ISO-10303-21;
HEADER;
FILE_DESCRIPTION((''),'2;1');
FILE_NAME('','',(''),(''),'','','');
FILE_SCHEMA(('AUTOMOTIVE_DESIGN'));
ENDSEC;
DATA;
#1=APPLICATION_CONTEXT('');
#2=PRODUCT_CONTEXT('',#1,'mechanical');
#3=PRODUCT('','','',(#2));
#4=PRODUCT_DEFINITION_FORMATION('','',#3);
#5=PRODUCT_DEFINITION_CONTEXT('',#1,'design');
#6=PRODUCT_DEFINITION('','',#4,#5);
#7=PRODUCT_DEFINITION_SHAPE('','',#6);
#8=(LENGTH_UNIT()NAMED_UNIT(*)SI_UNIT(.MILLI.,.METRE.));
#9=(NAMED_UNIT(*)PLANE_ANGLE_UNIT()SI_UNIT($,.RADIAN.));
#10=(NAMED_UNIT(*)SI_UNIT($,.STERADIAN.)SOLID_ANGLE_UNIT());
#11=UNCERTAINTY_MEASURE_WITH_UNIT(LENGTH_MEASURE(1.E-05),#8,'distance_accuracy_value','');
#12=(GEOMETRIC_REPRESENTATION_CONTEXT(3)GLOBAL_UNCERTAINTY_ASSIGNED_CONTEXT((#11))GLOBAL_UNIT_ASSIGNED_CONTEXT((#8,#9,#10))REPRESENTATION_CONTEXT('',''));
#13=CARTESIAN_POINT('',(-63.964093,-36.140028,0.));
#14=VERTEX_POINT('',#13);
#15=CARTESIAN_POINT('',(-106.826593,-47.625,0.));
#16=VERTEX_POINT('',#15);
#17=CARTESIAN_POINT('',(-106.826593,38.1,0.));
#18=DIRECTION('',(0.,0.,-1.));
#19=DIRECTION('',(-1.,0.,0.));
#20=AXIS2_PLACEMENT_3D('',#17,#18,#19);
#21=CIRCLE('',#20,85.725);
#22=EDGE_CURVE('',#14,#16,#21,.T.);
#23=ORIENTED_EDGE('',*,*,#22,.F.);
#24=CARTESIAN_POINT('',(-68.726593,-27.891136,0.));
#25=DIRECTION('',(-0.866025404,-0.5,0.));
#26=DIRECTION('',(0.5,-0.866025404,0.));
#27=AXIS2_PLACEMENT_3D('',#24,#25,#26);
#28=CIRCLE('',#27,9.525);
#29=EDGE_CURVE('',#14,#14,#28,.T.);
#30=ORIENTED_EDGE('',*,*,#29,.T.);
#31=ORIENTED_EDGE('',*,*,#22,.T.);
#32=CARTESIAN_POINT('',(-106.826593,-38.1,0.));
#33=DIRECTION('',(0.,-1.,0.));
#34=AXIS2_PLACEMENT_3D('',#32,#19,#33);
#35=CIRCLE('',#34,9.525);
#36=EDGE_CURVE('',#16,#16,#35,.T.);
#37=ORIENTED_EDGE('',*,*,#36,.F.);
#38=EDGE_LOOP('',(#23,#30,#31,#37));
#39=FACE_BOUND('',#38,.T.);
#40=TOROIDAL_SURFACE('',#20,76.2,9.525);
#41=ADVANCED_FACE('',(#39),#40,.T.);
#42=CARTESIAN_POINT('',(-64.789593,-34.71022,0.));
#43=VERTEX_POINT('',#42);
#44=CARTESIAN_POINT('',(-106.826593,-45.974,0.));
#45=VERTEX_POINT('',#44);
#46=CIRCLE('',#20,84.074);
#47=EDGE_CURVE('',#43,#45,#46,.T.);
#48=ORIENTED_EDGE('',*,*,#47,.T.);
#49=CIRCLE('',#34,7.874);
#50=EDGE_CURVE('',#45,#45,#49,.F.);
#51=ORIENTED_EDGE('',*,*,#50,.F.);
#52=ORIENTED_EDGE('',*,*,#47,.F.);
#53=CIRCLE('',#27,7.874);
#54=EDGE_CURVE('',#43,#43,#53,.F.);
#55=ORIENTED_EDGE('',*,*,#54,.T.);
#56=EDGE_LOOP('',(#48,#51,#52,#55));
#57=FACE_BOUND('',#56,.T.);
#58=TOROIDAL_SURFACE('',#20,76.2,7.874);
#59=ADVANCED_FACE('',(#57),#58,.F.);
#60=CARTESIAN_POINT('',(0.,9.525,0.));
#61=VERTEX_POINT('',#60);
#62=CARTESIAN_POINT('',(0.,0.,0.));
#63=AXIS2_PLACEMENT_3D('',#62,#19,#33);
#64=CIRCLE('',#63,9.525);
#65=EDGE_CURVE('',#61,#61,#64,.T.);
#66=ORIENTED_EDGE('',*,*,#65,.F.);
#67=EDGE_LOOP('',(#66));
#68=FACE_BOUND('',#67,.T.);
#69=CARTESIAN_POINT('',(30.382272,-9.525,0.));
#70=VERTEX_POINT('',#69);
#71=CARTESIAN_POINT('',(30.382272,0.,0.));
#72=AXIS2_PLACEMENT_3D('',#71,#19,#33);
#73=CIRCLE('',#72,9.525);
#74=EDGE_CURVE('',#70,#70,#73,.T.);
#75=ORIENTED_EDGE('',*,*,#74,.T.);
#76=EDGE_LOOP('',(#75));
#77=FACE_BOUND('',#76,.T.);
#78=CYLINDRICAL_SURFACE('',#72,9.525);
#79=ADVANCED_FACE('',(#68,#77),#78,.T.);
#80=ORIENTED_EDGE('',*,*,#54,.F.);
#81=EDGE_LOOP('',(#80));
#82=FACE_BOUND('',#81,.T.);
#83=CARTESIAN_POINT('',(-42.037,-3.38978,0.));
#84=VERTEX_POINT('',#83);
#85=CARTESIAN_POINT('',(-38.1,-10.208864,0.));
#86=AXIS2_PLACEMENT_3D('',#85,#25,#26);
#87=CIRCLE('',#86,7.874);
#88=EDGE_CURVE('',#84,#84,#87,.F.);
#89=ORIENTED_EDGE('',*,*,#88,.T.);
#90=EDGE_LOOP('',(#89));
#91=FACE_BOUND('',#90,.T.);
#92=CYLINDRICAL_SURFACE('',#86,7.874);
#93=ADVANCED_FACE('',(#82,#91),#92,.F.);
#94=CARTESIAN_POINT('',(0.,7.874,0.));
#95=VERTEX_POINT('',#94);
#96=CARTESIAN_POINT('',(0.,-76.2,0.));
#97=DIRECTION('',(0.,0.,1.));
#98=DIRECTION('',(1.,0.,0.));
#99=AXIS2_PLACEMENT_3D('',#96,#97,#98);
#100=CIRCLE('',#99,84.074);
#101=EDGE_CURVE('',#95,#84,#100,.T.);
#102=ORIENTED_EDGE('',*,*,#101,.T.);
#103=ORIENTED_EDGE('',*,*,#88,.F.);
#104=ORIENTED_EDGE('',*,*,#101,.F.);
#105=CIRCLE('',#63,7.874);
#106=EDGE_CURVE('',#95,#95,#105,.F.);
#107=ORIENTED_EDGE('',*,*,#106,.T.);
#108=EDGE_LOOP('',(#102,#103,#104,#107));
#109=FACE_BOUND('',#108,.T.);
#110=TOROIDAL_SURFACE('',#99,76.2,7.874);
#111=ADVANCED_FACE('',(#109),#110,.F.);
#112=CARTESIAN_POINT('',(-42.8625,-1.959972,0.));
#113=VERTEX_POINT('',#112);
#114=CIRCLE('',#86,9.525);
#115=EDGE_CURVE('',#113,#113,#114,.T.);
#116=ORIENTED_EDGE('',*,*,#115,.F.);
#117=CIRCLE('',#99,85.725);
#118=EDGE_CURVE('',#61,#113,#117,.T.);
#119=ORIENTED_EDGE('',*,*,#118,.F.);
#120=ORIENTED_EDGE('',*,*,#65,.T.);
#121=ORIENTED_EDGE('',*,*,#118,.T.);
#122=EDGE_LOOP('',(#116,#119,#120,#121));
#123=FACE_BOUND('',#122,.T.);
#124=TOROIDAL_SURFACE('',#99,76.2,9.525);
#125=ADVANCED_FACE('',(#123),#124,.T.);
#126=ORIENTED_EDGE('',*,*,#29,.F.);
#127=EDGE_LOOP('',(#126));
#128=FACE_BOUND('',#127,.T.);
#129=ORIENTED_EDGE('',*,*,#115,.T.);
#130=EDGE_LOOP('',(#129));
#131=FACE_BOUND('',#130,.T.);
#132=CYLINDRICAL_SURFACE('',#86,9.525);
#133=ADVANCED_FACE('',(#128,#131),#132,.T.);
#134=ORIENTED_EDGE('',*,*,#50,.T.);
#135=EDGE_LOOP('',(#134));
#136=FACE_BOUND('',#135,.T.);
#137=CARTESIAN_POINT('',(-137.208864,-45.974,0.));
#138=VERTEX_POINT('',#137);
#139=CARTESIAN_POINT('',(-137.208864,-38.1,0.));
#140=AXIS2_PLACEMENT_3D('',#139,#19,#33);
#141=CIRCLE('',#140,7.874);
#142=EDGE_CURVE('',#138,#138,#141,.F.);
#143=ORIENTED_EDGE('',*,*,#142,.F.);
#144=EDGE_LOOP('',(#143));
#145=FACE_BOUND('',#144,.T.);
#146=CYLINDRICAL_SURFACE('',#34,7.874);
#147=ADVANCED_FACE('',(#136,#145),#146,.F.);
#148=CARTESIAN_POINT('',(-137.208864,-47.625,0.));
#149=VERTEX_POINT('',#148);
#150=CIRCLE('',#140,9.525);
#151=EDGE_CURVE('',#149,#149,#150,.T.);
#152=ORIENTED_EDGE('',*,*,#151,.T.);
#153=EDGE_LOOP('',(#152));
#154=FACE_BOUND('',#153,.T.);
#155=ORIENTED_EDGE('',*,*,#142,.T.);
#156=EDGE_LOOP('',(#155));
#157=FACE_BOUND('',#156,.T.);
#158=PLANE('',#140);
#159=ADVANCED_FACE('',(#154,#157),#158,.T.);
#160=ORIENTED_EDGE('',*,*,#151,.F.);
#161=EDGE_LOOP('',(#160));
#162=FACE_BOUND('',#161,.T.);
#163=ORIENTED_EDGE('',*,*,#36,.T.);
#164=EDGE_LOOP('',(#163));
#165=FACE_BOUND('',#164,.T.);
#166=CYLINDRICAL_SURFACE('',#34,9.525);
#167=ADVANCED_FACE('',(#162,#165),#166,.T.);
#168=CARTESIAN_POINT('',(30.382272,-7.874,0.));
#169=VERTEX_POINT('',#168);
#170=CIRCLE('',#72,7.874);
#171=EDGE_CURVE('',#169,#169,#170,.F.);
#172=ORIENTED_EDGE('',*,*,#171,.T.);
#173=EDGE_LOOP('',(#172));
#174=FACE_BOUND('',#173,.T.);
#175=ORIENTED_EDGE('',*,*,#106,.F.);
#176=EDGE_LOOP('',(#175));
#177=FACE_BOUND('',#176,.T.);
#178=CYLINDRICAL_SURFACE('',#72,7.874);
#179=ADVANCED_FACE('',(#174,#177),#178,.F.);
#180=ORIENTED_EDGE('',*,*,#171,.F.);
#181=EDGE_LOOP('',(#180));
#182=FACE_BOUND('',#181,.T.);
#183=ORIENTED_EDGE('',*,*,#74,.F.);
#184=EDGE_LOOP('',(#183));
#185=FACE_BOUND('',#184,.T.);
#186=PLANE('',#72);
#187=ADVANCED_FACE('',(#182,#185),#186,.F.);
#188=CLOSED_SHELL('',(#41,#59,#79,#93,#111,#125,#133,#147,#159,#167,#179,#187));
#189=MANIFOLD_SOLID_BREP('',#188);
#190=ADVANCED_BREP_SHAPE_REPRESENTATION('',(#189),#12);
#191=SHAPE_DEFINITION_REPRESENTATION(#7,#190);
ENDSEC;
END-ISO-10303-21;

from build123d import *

# Parameters (mm, degrees)
SKETCH2_R   = 9.525
SKETCH2_R_2 = 7.874


with BuildPart() as part:
    # Sweep1: sweep along a path in Sketch1
    with BuildLine(Plane.XY) as sweep1_path:
        Line((30.382271537, 0), (0, 0))
        ThreePointArc((0, 0), (-19.722011237, -2.596452037), (-38.1, -10.208864232))
        Line((-38.1, -10.208864232), (-68.726592695, -27.891135768))
        ThreePointArc((-68.726592695, -27.891135768), (-87.104581458, -35.503547963), (-106.826592695, -38.1))
        Line((-106.826592695, -38.1), (-137.208864232, -38.1))
    # Sketch2 → Sweep1 (sweep)
    with BuildSketch(Plane.ZY.offset(-30.382271537)):
        Circle(SKETCH2_R)
        Circle(SKETCH2_R_2, mode=Mode.SUBTRACT)
    sweep(path=sweep1_path.line)


solid = part.part
